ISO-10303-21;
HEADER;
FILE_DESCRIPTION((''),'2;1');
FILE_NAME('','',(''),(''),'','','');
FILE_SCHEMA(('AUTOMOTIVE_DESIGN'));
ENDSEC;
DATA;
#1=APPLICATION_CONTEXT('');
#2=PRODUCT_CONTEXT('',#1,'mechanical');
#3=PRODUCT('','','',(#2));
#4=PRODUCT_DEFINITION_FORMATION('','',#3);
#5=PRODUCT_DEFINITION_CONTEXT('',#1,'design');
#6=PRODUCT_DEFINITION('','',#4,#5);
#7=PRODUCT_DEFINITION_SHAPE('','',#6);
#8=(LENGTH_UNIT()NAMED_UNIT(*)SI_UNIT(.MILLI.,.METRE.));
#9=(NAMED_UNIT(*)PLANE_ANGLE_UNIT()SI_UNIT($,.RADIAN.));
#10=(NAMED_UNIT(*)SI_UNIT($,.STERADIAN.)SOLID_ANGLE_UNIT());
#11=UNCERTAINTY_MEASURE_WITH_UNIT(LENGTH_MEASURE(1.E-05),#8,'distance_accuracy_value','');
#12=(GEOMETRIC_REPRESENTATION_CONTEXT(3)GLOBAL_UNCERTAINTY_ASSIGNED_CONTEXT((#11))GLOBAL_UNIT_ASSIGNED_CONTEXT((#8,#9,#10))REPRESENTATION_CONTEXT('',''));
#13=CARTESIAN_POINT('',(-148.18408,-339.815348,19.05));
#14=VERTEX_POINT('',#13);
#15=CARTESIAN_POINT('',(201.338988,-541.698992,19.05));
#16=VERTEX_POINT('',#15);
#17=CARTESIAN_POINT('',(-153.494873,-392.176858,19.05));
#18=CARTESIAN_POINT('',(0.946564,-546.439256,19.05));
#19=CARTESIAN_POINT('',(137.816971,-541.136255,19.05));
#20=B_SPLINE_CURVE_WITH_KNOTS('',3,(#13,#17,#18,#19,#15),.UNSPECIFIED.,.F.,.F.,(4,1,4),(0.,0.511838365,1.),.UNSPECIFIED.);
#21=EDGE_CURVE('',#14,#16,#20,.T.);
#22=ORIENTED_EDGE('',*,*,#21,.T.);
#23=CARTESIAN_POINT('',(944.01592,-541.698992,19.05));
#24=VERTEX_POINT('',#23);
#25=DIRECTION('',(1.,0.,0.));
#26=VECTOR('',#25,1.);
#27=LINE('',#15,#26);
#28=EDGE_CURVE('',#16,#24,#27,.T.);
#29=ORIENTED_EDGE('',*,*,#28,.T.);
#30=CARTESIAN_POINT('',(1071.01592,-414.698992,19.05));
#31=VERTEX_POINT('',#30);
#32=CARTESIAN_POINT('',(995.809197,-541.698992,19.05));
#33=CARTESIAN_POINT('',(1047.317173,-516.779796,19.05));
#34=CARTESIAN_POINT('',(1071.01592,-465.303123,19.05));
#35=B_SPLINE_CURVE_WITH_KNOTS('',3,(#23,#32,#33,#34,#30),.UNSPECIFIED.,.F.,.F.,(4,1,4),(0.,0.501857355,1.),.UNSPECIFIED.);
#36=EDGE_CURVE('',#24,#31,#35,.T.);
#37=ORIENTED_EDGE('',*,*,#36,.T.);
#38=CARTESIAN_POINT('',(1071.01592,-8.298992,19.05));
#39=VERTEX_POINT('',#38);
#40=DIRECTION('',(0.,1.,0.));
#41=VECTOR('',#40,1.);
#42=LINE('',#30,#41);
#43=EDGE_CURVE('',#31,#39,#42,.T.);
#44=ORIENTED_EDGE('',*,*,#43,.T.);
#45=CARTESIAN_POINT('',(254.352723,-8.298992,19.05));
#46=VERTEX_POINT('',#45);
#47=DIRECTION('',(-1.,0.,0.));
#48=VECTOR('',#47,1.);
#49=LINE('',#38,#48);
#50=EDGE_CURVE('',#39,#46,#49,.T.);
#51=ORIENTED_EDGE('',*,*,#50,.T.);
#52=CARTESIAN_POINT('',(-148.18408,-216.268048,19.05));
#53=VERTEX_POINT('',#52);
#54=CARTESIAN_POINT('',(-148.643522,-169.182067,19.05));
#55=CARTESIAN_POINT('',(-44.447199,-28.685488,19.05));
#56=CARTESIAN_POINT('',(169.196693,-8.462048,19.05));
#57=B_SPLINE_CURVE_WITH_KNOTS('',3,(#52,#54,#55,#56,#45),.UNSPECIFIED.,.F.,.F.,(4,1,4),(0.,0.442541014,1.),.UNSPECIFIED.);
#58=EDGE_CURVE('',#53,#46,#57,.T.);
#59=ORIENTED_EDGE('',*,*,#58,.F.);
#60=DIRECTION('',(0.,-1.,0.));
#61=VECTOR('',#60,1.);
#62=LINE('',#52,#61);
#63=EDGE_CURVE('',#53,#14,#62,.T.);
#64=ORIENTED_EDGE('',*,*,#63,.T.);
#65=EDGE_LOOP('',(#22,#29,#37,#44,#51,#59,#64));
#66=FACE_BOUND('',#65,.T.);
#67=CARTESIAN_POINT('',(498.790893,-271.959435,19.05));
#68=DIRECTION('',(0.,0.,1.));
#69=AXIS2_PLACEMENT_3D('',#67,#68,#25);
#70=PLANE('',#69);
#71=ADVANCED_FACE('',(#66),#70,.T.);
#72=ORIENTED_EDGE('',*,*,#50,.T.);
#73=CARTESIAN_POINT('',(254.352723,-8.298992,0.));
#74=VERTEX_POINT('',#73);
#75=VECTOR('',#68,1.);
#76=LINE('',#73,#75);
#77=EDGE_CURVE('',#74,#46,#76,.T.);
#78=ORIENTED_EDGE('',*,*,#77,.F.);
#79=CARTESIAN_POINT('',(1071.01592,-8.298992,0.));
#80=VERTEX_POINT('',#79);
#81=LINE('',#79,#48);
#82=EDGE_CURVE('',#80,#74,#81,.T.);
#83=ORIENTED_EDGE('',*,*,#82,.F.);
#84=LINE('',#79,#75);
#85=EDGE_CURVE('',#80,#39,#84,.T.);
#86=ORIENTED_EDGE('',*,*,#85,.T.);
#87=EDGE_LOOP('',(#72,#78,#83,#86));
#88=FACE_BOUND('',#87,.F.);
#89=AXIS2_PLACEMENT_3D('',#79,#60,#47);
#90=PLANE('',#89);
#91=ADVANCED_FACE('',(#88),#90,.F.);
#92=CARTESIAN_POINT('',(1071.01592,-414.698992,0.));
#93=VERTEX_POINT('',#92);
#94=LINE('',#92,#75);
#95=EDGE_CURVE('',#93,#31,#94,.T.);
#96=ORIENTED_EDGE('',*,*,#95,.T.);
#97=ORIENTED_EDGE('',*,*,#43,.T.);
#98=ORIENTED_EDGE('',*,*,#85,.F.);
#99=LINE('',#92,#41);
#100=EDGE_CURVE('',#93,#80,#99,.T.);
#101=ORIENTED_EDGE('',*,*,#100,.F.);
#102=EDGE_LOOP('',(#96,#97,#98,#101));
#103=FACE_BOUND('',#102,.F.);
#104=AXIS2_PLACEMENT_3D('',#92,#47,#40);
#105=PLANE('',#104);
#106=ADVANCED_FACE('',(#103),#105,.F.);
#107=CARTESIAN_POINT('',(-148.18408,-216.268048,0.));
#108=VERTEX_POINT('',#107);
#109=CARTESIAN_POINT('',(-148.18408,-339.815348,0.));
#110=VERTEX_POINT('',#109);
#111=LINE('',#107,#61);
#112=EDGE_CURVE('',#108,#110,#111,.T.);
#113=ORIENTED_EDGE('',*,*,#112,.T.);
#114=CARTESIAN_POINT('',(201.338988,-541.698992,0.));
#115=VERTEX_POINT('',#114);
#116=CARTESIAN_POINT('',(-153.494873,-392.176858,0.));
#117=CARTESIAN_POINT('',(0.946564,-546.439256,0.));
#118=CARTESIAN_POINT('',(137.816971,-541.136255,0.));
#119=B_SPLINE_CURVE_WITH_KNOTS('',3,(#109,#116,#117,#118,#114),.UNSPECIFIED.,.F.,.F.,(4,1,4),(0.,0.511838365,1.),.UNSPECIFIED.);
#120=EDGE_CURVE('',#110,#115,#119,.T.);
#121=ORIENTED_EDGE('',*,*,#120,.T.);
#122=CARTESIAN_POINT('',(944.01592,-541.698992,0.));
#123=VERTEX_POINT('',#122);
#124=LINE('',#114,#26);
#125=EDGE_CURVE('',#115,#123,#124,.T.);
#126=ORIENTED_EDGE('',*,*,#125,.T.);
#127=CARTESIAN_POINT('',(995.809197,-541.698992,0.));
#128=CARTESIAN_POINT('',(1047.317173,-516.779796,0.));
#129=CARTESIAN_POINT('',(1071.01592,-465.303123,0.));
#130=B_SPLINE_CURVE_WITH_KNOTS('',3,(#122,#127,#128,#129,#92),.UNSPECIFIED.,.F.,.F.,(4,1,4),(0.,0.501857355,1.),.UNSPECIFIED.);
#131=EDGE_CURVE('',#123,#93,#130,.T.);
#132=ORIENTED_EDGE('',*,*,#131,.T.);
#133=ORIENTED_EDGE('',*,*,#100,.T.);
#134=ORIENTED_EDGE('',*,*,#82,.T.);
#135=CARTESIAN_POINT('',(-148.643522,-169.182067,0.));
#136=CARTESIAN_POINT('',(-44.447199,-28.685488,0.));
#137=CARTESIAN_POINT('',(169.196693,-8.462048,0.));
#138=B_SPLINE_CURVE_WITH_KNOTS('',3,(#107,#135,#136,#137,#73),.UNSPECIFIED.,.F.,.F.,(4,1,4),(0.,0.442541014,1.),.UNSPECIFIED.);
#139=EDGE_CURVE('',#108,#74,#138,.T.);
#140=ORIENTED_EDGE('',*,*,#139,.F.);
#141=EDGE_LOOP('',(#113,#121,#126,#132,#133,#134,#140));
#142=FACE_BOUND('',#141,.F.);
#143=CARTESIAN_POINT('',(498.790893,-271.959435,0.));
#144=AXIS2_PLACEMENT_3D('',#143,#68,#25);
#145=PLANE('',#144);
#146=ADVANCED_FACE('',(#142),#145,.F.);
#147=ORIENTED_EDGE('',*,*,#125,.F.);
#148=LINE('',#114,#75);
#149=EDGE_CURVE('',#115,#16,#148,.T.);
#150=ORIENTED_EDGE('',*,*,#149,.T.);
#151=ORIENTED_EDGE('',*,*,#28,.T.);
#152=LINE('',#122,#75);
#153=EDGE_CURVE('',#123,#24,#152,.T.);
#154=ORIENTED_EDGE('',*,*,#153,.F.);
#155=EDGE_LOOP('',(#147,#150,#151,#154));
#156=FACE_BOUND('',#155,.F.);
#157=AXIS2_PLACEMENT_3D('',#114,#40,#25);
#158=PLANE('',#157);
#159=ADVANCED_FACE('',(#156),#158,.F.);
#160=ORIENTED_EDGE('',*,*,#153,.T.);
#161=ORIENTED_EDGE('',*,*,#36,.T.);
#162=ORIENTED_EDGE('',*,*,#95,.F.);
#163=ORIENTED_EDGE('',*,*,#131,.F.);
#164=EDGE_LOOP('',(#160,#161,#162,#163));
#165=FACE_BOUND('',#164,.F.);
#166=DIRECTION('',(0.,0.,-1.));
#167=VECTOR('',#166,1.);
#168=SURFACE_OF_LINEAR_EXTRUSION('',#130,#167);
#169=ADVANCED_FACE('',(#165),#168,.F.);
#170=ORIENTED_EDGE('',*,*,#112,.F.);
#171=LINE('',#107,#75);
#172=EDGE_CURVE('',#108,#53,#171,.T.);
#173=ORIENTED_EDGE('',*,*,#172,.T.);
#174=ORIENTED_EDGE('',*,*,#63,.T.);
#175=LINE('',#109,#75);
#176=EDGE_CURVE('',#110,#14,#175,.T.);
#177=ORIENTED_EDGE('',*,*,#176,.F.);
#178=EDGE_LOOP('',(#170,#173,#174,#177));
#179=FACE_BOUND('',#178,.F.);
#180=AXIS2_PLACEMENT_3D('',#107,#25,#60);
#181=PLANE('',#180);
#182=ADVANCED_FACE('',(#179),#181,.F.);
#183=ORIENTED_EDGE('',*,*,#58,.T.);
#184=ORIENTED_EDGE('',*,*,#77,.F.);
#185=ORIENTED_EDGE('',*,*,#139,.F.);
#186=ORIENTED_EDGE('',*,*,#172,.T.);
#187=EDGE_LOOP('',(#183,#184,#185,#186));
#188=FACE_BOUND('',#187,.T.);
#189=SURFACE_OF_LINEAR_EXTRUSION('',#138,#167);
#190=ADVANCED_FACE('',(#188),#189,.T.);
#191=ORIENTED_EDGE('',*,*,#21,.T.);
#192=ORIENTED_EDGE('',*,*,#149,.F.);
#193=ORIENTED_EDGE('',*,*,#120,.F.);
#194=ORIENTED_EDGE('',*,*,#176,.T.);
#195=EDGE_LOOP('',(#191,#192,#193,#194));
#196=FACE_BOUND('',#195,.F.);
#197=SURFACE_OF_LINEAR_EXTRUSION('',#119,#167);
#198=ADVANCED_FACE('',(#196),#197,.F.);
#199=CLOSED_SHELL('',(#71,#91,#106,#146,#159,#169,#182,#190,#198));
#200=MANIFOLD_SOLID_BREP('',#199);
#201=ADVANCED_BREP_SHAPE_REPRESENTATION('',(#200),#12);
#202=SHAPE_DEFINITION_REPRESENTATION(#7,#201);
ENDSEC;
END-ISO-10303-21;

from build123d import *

# Parameters (mm, degrees)
F1_DEPTH = 19.05


with BuildPart() as f1:
    # F0 (on Top) → F1 (new body)
    with BuildSketch(Plane.XY):
        with BuildLine():
            Line((1071.0159201622, -8.2989922523), (254.3527232081, -8.2989922523))
            add(Edge.make_bspline(
                [(-148.1840798378, -216.2680476904), (-148.6435220602, -169.1820668459), (-44.4471985887, -28.6854879945), (169.1966929013, -8.4620483078), (254.3527232081, -8.2989922523)],
                knots=[0, 0, 0, 0, 0.4425410138, 1, 1, 1, 1], degree=3))
            Line((-148.1840798378, -216.2680476904), (-148.1840798378, -339.8153483868))
            add(Edge.make_bspline(
                [(-148.1840798378, -339.8153483868), (-153.4948728045, -392.1768578476), (0.9465640393, -546.4392561923), (137.8169712659, -541.1362554842), (201.3389880346, -541.6989922523)],
                knots=[0, 0, 0, 0, 0.5118383648, 1, 1, 1, 1], degree=3))
            Line((201.3389880346, -541.6989922523), (944.0159201622, -541.6989922523))
            add(Edge.make_bspline(
                [(944.0159201622, -541.6989922523), (995.8091974258, -541.6989922523), (1047.317173092, -516.7797955455), (1071.0159201622, -465.3031229973), (1071.0159201622, -414.6989922523)],
                knots=[0, 0, 0, 0, 0.5018573547, 1, 1, 1, 1], degree=3))
            Line((1071.0159201622, -414.6989922523), (1071.0159201622, -8.2989922523))
        make_face()
    extrude(amount=F1_DEPTH)


solid = f1.part
